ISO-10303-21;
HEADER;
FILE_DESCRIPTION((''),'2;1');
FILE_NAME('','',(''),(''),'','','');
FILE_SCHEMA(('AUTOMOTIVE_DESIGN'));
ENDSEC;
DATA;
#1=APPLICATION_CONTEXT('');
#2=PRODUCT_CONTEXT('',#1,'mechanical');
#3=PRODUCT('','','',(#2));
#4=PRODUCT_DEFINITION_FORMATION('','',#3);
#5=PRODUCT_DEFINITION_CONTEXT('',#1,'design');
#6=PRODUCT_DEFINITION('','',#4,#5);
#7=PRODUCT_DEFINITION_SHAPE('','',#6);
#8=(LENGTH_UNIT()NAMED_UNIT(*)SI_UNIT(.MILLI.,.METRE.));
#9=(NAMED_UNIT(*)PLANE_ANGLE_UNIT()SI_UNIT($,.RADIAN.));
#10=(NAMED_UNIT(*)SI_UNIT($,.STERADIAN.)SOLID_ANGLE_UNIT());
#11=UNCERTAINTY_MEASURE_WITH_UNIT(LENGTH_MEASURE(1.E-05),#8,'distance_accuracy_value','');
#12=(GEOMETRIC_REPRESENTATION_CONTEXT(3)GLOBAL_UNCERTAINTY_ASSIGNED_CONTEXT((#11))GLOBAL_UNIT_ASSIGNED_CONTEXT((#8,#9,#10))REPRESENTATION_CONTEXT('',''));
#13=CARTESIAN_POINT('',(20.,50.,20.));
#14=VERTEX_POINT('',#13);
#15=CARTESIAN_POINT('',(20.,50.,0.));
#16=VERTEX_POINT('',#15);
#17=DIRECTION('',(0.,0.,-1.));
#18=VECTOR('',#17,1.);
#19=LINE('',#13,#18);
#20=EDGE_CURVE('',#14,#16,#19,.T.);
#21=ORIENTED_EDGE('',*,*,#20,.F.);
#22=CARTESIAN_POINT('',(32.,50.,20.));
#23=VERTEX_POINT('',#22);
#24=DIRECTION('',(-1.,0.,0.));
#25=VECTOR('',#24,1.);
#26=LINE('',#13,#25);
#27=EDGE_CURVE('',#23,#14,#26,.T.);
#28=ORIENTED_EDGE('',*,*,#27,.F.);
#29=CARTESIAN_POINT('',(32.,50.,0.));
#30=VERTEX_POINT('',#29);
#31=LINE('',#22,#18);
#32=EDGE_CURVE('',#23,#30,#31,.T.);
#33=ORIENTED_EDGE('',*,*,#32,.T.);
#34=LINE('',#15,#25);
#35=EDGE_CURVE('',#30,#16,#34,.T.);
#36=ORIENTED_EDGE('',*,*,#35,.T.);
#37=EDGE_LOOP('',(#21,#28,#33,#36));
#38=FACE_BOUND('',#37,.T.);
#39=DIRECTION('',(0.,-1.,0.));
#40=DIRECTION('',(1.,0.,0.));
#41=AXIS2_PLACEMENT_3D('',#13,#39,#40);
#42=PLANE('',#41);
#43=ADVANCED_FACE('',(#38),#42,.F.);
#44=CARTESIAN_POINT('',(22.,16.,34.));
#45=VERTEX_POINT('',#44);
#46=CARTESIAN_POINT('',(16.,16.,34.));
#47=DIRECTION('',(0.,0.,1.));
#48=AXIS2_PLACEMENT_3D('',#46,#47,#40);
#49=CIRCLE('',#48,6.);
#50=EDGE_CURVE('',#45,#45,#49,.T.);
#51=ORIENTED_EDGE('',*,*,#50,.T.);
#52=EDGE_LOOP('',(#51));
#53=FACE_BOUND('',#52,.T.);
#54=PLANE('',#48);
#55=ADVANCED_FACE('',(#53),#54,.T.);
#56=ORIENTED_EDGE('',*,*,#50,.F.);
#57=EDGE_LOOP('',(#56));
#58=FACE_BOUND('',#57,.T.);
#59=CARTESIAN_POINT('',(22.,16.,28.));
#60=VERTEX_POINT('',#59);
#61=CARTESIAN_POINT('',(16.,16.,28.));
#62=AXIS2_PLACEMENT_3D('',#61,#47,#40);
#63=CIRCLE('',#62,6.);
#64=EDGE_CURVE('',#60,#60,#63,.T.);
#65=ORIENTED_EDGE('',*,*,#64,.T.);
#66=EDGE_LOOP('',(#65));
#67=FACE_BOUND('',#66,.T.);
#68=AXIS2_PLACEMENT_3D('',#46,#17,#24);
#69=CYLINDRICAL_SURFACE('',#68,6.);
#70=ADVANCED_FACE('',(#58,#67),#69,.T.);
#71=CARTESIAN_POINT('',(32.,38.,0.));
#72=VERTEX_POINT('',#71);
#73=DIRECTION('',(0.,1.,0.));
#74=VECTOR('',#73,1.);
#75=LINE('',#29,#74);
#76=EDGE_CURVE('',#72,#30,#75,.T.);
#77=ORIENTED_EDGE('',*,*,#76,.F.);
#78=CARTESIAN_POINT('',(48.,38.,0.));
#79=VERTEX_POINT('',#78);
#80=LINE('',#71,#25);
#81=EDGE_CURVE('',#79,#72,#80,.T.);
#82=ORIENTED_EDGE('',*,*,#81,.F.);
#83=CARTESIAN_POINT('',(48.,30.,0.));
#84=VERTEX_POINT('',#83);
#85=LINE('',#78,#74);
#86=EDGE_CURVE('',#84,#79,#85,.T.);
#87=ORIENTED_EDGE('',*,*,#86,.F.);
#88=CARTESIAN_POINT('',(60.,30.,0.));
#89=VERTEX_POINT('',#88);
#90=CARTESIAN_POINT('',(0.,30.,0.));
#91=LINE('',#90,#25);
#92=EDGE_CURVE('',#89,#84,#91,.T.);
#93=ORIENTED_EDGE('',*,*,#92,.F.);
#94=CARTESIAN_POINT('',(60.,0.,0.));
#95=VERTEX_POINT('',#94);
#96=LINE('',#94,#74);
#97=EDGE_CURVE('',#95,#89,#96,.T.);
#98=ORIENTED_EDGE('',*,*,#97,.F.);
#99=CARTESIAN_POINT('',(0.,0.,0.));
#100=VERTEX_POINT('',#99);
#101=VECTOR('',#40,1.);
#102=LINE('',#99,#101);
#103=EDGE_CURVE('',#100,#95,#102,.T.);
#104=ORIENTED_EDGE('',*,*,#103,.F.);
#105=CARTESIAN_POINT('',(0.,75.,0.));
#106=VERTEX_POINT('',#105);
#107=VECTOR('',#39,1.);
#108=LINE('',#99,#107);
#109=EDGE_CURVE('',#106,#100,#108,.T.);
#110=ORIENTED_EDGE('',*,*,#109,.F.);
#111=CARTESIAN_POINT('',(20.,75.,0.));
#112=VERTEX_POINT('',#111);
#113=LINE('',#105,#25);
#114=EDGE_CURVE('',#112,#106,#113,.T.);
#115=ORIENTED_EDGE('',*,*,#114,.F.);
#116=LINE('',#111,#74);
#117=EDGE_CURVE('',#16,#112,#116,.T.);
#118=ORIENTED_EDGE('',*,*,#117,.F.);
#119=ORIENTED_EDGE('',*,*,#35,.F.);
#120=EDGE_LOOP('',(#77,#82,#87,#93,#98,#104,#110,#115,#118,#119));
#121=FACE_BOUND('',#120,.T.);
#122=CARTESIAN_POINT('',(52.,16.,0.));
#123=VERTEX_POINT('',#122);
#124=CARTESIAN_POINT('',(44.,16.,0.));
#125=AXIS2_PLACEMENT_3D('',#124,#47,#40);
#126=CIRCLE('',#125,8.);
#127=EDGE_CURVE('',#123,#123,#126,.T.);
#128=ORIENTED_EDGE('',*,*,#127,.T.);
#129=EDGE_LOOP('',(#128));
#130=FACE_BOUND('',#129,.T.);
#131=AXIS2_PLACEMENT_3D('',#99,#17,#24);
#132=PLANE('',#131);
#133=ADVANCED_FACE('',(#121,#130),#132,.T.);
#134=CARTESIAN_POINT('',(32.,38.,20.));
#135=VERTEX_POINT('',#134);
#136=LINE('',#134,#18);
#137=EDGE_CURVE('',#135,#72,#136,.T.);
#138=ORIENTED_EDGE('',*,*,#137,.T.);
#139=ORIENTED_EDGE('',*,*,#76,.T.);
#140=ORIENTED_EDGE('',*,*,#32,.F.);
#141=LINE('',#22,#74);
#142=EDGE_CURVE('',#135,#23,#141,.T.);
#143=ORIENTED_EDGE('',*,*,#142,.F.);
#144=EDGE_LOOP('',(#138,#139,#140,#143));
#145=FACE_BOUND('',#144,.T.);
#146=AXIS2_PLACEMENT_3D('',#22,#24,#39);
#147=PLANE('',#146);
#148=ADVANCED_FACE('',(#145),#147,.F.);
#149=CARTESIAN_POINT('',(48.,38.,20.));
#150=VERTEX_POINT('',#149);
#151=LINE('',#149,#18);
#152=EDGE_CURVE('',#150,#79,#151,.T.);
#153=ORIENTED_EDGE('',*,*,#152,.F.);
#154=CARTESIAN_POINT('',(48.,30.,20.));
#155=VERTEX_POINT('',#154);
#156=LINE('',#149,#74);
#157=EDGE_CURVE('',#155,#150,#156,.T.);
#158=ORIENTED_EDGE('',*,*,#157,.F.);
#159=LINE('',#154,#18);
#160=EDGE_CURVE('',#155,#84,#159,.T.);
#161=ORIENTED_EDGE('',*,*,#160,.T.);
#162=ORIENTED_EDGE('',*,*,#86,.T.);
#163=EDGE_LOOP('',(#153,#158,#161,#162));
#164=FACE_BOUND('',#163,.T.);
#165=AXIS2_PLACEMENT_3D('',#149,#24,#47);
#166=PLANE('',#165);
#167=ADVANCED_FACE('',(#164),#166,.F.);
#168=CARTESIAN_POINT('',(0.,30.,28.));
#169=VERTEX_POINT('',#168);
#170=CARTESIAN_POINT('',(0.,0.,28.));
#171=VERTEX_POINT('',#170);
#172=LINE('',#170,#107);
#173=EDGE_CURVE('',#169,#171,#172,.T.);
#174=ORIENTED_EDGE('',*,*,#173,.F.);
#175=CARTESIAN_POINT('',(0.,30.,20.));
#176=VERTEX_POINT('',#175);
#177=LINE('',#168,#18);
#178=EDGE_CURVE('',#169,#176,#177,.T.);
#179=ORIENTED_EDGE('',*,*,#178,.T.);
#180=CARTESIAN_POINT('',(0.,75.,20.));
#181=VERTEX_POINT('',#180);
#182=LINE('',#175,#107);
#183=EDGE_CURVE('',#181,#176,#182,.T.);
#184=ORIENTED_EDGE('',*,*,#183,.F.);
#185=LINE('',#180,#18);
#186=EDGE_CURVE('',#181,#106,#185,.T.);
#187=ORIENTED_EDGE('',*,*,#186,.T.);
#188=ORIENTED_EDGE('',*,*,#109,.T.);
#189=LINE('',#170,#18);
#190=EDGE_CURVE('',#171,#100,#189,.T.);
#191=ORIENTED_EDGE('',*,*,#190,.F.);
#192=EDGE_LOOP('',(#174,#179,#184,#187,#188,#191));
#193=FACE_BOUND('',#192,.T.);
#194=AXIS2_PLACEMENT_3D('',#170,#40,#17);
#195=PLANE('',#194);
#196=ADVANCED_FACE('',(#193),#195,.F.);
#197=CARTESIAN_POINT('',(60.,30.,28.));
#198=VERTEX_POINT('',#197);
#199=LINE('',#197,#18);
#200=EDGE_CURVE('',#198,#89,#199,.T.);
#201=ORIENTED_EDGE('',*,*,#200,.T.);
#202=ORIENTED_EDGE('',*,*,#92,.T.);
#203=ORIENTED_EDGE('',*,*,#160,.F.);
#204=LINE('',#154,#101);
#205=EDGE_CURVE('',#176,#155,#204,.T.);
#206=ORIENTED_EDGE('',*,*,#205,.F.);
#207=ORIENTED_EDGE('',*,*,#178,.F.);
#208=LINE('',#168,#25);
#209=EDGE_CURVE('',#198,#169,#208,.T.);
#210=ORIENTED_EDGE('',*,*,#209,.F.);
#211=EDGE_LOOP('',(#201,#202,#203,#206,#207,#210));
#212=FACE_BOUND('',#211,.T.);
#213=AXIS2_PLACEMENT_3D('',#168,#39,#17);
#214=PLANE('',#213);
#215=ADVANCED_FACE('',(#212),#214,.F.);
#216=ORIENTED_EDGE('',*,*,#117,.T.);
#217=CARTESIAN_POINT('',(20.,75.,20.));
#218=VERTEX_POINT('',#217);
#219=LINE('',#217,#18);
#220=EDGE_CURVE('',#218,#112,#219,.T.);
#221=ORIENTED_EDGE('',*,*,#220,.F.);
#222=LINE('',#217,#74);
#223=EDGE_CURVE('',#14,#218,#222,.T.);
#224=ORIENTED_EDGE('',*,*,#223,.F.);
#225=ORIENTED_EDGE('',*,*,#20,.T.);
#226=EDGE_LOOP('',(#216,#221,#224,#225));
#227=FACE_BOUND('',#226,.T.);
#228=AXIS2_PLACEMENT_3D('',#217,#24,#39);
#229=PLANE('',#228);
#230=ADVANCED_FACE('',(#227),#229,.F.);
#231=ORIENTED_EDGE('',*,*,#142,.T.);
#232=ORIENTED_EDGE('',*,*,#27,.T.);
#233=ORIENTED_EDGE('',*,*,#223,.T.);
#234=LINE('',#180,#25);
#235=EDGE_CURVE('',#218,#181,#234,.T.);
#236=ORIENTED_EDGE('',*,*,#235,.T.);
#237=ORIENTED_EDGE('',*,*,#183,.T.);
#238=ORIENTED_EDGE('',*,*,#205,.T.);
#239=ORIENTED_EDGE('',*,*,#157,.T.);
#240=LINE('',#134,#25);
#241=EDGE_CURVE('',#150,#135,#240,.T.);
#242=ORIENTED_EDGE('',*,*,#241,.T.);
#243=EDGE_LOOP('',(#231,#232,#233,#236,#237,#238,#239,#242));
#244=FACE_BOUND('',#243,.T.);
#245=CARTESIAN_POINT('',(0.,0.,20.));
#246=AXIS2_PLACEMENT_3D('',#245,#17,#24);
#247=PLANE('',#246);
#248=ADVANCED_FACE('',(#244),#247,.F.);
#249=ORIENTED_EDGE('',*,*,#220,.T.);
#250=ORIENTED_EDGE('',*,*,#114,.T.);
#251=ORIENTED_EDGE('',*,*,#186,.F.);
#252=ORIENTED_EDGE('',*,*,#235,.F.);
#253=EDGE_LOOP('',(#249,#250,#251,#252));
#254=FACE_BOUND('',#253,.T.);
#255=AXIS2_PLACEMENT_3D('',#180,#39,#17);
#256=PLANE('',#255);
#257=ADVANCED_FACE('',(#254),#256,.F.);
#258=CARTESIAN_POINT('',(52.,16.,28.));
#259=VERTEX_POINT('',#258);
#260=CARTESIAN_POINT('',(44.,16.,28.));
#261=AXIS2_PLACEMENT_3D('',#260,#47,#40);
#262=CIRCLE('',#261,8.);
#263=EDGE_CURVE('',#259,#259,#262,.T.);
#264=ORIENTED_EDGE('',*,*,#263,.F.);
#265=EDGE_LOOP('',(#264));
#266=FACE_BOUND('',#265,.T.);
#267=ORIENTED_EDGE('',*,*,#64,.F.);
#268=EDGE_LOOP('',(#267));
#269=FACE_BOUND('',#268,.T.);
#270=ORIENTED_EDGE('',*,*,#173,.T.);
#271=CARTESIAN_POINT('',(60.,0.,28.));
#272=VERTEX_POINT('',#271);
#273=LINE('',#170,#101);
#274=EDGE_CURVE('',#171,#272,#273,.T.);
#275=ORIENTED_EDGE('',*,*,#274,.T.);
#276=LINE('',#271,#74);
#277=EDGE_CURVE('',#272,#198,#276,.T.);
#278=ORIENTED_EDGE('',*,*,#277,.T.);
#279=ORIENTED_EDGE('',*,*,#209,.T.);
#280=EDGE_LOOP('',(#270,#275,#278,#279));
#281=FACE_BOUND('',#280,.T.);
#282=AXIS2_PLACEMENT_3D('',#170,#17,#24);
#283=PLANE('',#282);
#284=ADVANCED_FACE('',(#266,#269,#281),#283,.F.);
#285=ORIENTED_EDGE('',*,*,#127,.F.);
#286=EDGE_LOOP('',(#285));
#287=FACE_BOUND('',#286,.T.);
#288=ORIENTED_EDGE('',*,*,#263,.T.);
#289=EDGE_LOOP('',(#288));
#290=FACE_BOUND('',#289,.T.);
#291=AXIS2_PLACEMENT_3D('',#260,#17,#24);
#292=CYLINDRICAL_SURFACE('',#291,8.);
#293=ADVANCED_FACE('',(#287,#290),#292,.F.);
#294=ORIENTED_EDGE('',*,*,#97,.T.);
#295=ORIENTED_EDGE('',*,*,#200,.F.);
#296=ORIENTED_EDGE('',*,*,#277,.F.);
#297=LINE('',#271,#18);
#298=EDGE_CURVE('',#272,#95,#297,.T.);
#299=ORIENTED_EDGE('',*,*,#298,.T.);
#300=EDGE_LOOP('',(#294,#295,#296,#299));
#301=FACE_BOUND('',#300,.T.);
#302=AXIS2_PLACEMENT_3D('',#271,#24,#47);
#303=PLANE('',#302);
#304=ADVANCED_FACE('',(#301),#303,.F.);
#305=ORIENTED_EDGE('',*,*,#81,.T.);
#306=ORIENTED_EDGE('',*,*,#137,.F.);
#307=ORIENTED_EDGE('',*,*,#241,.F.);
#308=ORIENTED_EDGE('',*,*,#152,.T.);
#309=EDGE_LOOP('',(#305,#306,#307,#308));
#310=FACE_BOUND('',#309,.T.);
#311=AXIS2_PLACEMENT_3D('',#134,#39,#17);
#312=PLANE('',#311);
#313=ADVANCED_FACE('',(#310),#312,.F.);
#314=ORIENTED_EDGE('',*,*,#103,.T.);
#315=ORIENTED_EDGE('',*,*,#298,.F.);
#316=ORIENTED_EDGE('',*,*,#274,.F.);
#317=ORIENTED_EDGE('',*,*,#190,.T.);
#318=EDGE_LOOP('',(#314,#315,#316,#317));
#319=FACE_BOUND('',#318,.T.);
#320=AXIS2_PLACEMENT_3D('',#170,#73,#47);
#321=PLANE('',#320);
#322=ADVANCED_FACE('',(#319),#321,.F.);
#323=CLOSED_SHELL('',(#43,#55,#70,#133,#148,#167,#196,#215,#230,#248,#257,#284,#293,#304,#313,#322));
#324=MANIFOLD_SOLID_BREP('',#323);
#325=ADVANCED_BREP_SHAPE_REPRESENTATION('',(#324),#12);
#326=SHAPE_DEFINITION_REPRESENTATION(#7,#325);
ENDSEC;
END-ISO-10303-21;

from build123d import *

# Parameters (mm, degrees)
SKETCH1_W           = 60
SKETCH1_H           = 30
SKETCH1_R           = 8
BOSS_EXTRUDE1_DEPTH = 28
BOSS_EXTRUDE2_DEPTH = 20
SKETCH3_R           = 6
BOSS_EXTRUDE3_DEPTH = 6


with BuildPart() as part:
    # Sketch1 → Boss-Extrude1 (new body)
    with BuildSketch(Plane.XY):
        with Locations((30, 15)):
            Rectangle(SKETCH1_W, SKETCH1_H)
        with Locations((44, 16)):
            Circle(SKETCH1_R, mode=Mode.SUBTRACT)
    extrude(amount=BOSS_EXTRUDE1_DEPTH)

    # Sketch2 → Boss-Extrude2 (add)
    with BuildSketch(Plane.XY):
        Polygon((0, 30), (0, 75), (20, 75), (20, 50), (32, 50), (32, 38), (48, 38), (48, 30), align=None)
    extrude(amount=BOSS_EXTRUDE2_DEPTH)

    # Sketch3 → Boss-Extrude3 (add)
    with BuildSketch(Plane.XY.offset(28)):
        with Locations((16, 16)):
            Circle(SKETCH3_R)
    extrude(amount=BOSS_EXTRUDE3_DEPTH)


solid = part.part
